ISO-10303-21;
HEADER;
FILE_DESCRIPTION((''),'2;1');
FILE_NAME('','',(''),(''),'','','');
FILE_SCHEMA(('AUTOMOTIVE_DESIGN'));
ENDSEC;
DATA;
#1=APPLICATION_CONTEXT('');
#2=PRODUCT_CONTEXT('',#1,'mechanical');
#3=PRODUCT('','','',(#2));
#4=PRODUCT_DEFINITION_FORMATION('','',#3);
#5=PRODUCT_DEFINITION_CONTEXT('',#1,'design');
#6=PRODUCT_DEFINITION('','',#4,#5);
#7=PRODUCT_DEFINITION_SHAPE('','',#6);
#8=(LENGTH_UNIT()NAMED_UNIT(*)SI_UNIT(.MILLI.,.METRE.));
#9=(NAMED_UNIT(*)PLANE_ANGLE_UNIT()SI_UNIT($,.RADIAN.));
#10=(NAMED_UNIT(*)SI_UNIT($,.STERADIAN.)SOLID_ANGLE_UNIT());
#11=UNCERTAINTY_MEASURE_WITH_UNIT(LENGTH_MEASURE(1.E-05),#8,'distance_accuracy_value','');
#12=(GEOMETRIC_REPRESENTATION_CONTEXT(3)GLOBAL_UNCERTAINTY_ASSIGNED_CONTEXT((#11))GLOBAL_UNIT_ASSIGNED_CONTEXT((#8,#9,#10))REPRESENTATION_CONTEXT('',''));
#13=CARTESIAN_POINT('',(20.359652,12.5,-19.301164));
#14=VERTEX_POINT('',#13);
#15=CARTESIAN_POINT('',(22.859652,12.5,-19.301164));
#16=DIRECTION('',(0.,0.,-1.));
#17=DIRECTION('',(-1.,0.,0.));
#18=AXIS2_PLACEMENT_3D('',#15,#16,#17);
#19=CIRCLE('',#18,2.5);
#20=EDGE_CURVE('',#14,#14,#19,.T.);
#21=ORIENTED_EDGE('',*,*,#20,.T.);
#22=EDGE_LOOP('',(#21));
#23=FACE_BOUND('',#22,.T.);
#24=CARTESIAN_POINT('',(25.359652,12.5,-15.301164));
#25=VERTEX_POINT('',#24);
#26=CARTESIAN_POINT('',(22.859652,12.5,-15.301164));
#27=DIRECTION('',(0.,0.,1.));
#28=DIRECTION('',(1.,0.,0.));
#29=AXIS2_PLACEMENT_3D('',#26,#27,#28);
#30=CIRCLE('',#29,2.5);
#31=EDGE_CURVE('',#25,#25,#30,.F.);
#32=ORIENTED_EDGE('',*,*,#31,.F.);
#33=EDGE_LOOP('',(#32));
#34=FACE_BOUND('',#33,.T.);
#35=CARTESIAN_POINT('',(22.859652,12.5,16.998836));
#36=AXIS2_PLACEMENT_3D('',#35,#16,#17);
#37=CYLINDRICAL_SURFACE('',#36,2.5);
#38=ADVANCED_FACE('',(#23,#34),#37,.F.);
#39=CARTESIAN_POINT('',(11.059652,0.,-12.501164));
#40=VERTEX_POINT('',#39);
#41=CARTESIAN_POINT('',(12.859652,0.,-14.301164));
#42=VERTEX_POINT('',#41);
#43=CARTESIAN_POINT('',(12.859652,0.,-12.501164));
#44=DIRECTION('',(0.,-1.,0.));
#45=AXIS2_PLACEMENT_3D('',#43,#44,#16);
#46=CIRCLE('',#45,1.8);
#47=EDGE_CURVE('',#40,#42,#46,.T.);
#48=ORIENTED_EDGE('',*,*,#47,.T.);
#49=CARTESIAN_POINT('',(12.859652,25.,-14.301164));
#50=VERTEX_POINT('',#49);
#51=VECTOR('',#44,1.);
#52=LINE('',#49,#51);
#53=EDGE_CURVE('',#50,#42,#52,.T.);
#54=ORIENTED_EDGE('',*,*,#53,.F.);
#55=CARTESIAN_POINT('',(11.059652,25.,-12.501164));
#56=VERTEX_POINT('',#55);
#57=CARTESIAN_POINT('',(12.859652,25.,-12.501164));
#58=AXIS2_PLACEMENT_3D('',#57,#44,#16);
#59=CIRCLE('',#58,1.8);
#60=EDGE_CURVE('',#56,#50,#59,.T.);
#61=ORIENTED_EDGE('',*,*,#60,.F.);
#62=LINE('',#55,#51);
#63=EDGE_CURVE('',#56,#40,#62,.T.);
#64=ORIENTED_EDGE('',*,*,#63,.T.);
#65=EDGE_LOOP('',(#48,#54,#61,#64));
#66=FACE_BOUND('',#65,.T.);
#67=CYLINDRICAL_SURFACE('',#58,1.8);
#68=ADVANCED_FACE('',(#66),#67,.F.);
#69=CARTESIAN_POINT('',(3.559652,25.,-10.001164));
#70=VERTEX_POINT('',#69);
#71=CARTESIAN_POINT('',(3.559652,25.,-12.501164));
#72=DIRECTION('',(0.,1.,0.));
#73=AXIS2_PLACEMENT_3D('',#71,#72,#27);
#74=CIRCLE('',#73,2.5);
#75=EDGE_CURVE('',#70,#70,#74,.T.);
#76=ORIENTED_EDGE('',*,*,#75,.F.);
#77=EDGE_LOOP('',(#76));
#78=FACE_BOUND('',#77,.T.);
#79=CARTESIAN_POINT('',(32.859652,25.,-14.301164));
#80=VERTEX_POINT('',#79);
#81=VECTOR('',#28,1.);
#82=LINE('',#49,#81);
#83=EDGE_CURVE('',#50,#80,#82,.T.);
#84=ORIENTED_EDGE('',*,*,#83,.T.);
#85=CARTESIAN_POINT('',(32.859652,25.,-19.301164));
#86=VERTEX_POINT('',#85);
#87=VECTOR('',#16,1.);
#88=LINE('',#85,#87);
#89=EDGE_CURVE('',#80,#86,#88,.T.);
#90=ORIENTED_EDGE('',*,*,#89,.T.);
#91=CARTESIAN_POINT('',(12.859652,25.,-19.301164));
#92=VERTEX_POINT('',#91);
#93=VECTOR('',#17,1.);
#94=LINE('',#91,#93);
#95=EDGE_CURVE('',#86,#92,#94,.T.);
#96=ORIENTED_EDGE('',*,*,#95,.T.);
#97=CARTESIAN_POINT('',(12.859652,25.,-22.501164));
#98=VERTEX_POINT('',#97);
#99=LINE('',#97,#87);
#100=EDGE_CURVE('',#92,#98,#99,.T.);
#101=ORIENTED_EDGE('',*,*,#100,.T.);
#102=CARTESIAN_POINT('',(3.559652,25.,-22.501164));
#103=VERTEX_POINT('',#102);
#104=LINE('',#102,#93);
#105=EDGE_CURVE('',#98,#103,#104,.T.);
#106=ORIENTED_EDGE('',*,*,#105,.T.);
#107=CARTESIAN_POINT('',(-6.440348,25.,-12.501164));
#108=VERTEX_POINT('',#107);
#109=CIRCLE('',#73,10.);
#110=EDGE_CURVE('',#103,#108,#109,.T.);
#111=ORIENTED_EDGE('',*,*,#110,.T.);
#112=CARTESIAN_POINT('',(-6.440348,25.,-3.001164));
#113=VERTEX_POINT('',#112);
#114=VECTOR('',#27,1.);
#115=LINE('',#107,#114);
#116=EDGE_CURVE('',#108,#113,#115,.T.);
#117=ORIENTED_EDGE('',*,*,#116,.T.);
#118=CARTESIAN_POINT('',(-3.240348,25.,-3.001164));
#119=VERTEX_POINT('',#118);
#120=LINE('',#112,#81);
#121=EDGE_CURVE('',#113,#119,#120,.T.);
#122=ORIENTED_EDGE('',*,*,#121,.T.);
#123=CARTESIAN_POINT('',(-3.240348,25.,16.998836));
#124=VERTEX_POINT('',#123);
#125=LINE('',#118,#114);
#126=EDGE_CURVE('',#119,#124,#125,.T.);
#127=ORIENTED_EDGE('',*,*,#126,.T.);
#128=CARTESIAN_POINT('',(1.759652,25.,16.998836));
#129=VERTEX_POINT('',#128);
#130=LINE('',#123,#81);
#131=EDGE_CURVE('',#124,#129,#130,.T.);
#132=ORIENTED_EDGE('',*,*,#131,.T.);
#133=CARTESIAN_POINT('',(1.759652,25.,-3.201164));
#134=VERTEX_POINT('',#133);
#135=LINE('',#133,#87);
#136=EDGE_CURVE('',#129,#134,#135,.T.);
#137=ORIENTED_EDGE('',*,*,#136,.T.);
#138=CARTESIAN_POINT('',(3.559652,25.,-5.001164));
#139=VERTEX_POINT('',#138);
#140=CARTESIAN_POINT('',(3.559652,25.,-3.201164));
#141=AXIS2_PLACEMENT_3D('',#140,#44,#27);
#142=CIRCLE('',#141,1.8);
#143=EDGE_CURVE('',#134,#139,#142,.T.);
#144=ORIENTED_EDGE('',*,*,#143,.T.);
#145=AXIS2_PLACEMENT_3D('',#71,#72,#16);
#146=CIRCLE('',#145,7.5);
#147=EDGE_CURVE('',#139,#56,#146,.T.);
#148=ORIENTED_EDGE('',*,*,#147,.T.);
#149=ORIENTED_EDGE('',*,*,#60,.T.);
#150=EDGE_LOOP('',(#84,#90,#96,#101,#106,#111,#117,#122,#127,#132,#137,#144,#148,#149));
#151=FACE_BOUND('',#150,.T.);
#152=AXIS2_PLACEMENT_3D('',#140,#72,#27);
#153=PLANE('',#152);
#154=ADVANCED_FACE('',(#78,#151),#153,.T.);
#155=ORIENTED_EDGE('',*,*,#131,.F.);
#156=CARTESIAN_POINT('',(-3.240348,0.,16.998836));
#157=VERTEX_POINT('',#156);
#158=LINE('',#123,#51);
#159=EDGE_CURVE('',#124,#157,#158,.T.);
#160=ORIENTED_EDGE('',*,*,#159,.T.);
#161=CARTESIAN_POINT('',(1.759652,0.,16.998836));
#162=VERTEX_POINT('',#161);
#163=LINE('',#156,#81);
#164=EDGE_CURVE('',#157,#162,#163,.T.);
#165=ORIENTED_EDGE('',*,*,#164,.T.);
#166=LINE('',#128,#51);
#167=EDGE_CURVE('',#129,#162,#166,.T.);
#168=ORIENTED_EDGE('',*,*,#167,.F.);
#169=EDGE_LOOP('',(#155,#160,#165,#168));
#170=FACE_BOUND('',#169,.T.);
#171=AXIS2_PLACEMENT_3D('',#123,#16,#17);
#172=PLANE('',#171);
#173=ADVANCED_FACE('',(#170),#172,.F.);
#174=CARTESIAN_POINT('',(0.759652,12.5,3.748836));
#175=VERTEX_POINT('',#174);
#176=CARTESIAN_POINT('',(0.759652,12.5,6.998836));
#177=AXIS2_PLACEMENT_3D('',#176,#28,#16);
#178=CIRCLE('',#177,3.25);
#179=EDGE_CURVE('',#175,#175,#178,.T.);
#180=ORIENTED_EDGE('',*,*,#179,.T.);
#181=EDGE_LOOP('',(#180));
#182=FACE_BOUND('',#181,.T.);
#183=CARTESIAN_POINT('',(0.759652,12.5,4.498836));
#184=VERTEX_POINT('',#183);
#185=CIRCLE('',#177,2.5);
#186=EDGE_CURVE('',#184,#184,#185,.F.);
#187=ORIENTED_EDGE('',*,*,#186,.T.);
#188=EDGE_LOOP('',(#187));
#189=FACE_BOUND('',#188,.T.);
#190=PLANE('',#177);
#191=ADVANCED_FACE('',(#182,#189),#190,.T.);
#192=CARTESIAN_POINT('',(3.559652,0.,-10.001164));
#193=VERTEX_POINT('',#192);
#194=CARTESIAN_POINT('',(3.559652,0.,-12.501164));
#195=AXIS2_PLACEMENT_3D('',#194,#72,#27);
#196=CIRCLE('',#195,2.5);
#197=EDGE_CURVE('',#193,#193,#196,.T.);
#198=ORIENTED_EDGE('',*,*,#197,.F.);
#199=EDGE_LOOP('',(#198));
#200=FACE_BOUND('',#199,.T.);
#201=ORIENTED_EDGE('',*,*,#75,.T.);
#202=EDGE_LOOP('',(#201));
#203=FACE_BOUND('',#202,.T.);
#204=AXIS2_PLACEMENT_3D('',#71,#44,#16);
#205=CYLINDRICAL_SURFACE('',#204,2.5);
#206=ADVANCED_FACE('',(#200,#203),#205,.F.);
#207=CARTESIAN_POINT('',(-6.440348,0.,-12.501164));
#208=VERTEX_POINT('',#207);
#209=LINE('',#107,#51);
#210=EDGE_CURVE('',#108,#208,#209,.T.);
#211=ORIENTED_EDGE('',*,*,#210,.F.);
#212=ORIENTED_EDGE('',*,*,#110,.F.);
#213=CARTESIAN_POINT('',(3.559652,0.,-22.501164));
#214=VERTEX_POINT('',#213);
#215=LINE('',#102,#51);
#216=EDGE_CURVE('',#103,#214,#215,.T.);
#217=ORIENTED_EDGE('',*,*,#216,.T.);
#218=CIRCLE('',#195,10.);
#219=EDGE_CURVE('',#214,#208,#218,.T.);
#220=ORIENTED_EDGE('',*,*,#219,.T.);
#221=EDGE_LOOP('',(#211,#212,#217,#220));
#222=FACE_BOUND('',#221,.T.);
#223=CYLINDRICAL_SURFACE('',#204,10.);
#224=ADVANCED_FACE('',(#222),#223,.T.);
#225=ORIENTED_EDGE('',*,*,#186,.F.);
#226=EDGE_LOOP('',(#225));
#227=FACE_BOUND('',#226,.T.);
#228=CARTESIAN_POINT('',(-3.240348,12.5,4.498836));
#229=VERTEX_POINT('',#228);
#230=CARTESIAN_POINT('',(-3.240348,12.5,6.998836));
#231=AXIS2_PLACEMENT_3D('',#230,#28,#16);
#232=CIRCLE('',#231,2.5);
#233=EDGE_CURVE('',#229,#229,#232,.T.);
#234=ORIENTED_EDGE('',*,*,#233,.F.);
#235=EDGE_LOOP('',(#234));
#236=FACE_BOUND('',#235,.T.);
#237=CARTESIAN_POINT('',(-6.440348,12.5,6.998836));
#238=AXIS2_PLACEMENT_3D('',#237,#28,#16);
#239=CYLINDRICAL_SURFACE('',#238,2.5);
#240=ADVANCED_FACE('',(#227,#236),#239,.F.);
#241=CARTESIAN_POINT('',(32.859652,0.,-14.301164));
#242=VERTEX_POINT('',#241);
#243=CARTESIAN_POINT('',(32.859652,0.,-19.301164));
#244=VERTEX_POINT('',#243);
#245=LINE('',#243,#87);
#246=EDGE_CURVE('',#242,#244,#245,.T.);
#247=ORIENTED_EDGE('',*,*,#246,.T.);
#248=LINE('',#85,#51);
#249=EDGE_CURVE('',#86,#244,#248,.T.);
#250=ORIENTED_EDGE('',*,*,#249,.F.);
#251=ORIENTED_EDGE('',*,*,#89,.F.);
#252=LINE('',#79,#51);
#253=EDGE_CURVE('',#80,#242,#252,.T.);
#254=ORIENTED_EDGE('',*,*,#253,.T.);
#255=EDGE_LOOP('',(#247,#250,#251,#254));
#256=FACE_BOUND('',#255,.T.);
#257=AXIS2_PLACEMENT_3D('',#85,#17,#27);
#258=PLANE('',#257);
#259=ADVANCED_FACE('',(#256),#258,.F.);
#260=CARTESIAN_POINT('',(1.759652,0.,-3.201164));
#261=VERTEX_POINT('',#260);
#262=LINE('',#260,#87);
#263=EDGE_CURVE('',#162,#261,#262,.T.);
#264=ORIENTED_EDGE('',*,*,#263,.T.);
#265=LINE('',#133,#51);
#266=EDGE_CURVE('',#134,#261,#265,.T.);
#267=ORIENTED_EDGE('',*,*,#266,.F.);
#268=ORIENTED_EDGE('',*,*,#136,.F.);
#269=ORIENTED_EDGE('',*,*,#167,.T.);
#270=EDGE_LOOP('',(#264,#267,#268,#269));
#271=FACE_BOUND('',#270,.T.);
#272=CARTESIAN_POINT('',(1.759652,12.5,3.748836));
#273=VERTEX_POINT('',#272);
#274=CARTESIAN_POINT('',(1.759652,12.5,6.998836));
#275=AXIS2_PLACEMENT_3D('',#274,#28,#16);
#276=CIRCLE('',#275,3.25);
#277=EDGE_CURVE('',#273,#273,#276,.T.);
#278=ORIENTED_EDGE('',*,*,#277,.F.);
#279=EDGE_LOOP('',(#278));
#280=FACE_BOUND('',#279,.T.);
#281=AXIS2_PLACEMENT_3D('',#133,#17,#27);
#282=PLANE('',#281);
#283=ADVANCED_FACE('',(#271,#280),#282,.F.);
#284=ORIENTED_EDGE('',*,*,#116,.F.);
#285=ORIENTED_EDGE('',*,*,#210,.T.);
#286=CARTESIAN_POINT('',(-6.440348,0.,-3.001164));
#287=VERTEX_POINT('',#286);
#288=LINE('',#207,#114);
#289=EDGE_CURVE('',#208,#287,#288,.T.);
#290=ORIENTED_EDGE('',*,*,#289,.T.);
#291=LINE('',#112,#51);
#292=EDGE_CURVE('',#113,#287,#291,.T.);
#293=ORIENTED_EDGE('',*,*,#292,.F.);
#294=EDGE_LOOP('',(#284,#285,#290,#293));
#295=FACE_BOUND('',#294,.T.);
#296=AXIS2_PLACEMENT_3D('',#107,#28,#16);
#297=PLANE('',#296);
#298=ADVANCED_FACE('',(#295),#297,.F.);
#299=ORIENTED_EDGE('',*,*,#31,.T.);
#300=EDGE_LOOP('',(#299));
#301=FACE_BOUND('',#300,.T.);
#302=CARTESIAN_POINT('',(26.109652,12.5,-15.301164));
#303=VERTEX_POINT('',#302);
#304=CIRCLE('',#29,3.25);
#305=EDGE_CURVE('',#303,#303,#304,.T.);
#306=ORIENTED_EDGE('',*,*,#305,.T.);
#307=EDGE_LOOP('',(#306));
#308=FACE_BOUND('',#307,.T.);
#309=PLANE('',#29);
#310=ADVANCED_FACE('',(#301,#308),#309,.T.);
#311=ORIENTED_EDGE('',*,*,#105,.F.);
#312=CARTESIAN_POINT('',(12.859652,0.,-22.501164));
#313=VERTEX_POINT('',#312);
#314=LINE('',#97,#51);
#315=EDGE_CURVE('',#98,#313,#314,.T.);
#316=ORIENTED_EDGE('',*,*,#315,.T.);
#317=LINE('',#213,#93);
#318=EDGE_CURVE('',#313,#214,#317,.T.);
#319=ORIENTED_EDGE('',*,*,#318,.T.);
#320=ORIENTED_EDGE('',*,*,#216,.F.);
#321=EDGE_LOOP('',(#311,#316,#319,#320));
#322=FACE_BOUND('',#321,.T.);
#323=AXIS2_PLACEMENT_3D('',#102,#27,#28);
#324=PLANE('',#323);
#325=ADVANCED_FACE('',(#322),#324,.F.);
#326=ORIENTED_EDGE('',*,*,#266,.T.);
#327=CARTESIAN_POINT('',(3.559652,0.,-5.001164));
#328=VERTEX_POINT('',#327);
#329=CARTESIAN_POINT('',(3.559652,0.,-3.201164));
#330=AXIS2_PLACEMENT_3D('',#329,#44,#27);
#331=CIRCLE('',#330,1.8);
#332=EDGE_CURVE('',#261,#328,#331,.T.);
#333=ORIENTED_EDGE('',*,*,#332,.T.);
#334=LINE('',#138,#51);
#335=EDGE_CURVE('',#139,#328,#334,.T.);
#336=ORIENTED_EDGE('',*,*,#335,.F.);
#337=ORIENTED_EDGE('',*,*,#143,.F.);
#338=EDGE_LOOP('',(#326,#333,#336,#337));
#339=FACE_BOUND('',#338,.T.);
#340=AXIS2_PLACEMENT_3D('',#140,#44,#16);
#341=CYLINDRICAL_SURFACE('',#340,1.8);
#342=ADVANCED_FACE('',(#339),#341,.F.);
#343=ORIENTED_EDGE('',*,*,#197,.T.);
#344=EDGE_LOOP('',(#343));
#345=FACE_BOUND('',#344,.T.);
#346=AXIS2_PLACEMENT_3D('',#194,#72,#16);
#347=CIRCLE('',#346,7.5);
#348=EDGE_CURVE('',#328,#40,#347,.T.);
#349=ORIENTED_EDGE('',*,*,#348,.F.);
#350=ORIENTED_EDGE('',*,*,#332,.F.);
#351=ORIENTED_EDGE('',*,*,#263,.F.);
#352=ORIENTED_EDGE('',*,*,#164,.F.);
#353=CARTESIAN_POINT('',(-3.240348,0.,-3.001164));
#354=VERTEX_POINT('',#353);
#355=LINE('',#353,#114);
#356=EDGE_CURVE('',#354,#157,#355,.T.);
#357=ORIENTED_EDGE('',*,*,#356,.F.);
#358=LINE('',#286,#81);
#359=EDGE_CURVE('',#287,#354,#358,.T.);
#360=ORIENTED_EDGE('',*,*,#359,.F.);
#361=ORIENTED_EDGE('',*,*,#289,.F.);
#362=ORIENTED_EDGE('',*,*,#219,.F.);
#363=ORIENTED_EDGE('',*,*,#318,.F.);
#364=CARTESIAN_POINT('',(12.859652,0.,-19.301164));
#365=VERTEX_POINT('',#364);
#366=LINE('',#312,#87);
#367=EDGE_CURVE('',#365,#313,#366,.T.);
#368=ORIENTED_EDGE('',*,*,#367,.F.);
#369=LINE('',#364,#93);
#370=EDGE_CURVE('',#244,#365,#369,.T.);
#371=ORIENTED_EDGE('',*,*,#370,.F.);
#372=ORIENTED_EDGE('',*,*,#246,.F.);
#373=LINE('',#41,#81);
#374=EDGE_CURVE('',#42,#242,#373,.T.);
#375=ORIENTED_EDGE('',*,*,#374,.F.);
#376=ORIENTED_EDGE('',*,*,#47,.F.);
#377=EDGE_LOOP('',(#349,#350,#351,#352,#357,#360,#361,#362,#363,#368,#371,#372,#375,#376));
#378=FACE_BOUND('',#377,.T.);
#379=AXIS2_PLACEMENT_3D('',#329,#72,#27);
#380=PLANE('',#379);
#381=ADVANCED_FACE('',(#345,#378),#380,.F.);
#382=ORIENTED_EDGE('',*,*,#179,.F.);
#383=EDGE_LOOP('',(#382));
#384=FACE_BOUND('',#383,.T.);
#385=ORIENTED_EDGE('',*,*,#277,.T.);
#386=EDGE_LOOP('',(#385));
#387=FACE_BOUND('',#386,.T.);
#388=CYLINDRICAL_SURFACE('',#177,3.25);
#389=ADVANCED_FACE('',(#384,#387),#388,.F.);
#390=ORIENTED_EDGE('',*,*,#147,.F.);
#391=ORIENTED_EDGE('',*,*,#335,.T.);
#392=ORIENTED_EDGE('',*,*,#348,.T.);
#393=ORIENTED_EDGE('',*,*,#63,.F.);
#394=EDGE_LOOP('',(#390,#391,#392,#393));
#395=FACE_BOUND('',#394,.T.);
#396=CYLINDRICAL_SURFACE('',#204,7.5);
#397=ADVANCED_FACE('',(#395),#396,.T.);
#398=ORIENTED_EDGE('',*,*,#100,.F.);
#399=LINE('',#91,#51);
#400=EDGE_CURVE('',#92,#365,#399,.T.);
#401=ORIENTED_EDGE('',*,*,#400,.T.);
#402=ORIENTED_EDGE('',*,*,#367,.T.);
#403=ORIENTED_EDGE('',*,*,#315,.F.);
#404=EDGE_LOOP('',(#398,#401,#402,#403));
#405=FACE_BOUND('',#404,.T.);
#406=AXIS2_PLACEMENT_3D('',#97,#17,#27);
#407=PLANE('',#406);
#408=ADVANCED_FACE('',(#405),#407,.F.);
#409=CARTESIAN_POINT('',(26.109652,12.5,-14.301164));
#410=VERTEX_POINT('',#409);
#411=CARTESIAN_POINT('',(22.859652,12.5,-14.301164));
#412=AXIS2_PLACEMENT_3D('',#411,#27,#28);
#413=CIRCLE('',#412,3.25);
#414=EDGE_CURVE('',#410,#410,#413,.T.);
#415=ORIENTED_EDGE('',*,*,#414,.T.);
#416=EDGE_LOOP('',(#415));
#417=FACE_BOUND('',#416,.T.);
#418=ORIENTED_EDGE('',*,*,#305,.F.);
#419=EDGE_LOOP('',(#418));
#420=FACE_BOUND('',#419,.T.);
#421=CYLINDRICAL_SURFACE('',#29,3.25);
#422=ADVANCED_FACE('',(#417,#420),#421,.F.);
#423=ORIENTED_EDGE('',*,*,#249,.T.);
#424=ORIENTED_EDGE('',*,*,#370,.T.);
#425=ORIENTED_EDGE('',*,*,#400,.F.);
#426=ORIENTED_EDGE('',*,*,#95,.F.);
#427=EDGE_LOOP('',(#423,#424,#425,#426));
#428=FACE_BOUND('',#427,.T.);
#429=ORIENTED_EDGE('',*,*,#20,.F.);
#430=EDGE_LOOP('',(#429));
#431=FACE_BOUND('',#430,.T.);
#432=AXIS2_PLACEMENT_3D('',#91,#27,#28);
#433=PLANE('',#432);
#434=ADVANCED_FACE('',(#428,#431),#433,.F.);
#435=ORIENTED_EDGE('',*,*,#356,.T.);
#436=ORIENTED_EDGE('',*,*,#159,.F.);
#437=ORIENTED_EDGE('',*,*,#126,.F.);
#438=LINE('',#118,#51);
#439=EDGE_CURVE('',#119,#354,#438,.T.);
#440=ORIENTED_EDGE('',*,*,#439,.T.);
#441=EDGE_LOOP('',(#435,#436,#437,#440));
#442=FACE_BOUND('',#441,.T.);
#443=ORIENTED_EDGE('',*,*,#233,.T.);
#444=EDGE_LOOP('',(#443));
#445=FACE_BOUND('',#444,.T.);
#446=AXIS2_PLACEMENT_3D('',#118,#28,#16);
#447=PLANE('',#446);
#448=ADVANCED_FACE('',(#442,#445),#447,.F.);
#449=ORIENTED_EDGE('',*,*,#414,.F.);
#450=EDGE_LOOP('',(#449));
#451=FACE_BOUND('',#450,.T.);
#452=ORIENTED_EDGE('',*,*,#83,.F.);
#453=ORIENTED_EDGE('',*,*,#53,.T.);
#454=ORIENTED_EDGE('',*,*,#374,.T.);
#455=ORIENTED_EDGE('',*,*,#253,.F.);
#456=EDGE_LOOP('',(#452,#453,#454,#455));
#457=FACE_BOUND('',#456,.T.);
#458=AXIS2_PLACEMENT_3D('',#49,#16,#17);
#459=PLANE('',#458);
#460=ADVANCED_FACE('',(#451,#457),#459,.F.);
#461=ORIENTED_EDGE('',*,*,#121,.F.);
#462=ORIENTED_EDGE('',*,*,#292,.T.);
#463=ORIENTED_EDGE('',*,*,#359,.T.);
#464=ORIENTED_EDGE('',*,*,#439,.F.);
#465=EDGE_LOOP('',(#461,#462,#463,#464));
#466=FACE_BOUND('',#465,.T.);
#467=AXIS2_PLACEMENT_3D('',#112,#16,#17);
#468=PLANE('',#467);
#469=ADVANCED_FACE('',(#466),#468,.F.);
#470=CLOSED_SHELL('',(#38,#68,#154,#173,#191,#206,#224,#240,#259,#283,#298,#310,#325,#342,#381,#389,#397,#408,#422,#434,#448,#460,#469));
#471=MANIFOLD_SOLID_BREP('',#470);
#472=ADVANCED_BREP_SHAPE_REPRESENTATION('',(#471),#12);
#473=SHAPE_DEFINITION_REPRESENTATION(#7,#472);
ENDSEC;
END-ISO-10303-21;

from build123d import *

# Parameters (mm, degrees)
SKETCH4_R           = 2.5
BOSS_EXTRUDE1_DEPTH = 25
SKETCH5_R           = 2.5
CUT_EXTRUDE1_DEPTH  = 55.976783394
SKETCH6_R           = 3.25
CUT_EXTRUDE2_DEPTH  = 1
SKETCH7_R           = 2.5
CUT_EXTRUDE3_DEPTH  = 46.809522816
SKETCH8_R           = 3.25
CUT_EXTRUDE4_DEPTH  = 1


with BuildPart() as part:
    # Sketch4 → Boss-Extrude1 (new body)
    with BuildSketch(Plane(origin=(0, 0, 0), x_dir=(1, 0, 0), z_dir=(0, 1, 0))):
        with BuildLine():
            Line((12.859651739, 14.301163983), (32.859651739, 14.301163983))
            Line((32.859651739, 14.301163983), (32.859651739, 19.301163983))
            Line((32.859651739, 19.301163983), (12.859651739, 19.301163983))
            Line((12.859651739, 19.301163983), (12.859651739, 22.501163983))
            Line((12.859651739, 22.501163983), (3.559651739, 22.501163983))
            ThreePointArc((3.559651739, 22.501163983), (-3.511416073, 19.572231795), (-6.440348261, 12.501163983))
            Line((-6.440348261, 12.501163983), (-6.440348261, 3.001163983))
            Line((-6.440348261, 3.001163983), (-3.240348261, 3.001163983))
            Line((-3.240348261, 3.001163983), (-3.240348261, -16.998836017))
            Line((-3.240348261, -16.998836017), (1.759651739, -16.998836017))
            Line((1.759651739, -16.998836017), (1.759651739, 3.201163983))
            ThreePointArc((1.759651739, 3.201163983), (2.286859533, 4.473956189), (3.559651739, 5.001163983))
            ThreePointArc((3.559651739, 5.001163983), (8.862952598, 7.197863124), (11.059651739, 12.501163983))
            ThreePointArc((11.059651739, 12.501163983), (11.586859533, 13.773956189), (12.859651739, 14.301163983))
        make_face()
        with Locations(Location((3.559651739, 12.501163983, 0), (0, 0, 270))):
            Circle(SKETCH4_R, mode=Mode.SUBTRACT)
    extrude(amount=BOSS_EXTRUDE1_DEPTH)

    # Sketch5 → Cut-Extrude1 (cut, through all)
    with BuildSketch(Plane(origin=(0, 0, -19.301163983), x_dir=(-1, 0, 0), z_dir=(0, 0, -1))):
        with Locations((-22.859651739, 12.5)):
            Circle(SKETCH5_R)
    extrude(amount=-CUT_EXTRUDE1_DEPTH, mode=Mode.SUBTRACT)

    # Sketch6 → Cut-Extrude2 (cut)
    with BuildSketch(Plane.XY.offset(-14.301163983)):
        with Locations((22.859651739, 12.5)):
            Circle(SKETCH6_R)
    extrude(amount=-CUT_EXTRUDE2_DEPTH, mode=Mode.SUBTRACT)

    # Sketch7 → Cut-Extrude3 (cut, through all)
    with BuildSketch(Plane(origin=(1.759651739, 0, 0), x_dir=(0, 0, -1), z_dir=(1, 0, 0))):
        with Locations((-6.998836017, 12.5)):
            Circle(SKETCH7_R)
    extrude(amount=-CUT_EXTRUDE3_DEPTH, mode=Mode.SUBTRACT)

    # Sketch8 → Cut-Extrude4 (cut)
    with BuildSketch(Plane(origin=(1.759651739, 0, 0), x_dir=(0, 0, -1), z_dir=(1, 0, 0))):
        with Locations((-6.998836017, 12.5)):
            Circle(SKETCH8_R)
    extrude(amount=-CUT_EXTRUDE4_DEPTH, mode=Mode.SUBTRACT)


solid = part.part
